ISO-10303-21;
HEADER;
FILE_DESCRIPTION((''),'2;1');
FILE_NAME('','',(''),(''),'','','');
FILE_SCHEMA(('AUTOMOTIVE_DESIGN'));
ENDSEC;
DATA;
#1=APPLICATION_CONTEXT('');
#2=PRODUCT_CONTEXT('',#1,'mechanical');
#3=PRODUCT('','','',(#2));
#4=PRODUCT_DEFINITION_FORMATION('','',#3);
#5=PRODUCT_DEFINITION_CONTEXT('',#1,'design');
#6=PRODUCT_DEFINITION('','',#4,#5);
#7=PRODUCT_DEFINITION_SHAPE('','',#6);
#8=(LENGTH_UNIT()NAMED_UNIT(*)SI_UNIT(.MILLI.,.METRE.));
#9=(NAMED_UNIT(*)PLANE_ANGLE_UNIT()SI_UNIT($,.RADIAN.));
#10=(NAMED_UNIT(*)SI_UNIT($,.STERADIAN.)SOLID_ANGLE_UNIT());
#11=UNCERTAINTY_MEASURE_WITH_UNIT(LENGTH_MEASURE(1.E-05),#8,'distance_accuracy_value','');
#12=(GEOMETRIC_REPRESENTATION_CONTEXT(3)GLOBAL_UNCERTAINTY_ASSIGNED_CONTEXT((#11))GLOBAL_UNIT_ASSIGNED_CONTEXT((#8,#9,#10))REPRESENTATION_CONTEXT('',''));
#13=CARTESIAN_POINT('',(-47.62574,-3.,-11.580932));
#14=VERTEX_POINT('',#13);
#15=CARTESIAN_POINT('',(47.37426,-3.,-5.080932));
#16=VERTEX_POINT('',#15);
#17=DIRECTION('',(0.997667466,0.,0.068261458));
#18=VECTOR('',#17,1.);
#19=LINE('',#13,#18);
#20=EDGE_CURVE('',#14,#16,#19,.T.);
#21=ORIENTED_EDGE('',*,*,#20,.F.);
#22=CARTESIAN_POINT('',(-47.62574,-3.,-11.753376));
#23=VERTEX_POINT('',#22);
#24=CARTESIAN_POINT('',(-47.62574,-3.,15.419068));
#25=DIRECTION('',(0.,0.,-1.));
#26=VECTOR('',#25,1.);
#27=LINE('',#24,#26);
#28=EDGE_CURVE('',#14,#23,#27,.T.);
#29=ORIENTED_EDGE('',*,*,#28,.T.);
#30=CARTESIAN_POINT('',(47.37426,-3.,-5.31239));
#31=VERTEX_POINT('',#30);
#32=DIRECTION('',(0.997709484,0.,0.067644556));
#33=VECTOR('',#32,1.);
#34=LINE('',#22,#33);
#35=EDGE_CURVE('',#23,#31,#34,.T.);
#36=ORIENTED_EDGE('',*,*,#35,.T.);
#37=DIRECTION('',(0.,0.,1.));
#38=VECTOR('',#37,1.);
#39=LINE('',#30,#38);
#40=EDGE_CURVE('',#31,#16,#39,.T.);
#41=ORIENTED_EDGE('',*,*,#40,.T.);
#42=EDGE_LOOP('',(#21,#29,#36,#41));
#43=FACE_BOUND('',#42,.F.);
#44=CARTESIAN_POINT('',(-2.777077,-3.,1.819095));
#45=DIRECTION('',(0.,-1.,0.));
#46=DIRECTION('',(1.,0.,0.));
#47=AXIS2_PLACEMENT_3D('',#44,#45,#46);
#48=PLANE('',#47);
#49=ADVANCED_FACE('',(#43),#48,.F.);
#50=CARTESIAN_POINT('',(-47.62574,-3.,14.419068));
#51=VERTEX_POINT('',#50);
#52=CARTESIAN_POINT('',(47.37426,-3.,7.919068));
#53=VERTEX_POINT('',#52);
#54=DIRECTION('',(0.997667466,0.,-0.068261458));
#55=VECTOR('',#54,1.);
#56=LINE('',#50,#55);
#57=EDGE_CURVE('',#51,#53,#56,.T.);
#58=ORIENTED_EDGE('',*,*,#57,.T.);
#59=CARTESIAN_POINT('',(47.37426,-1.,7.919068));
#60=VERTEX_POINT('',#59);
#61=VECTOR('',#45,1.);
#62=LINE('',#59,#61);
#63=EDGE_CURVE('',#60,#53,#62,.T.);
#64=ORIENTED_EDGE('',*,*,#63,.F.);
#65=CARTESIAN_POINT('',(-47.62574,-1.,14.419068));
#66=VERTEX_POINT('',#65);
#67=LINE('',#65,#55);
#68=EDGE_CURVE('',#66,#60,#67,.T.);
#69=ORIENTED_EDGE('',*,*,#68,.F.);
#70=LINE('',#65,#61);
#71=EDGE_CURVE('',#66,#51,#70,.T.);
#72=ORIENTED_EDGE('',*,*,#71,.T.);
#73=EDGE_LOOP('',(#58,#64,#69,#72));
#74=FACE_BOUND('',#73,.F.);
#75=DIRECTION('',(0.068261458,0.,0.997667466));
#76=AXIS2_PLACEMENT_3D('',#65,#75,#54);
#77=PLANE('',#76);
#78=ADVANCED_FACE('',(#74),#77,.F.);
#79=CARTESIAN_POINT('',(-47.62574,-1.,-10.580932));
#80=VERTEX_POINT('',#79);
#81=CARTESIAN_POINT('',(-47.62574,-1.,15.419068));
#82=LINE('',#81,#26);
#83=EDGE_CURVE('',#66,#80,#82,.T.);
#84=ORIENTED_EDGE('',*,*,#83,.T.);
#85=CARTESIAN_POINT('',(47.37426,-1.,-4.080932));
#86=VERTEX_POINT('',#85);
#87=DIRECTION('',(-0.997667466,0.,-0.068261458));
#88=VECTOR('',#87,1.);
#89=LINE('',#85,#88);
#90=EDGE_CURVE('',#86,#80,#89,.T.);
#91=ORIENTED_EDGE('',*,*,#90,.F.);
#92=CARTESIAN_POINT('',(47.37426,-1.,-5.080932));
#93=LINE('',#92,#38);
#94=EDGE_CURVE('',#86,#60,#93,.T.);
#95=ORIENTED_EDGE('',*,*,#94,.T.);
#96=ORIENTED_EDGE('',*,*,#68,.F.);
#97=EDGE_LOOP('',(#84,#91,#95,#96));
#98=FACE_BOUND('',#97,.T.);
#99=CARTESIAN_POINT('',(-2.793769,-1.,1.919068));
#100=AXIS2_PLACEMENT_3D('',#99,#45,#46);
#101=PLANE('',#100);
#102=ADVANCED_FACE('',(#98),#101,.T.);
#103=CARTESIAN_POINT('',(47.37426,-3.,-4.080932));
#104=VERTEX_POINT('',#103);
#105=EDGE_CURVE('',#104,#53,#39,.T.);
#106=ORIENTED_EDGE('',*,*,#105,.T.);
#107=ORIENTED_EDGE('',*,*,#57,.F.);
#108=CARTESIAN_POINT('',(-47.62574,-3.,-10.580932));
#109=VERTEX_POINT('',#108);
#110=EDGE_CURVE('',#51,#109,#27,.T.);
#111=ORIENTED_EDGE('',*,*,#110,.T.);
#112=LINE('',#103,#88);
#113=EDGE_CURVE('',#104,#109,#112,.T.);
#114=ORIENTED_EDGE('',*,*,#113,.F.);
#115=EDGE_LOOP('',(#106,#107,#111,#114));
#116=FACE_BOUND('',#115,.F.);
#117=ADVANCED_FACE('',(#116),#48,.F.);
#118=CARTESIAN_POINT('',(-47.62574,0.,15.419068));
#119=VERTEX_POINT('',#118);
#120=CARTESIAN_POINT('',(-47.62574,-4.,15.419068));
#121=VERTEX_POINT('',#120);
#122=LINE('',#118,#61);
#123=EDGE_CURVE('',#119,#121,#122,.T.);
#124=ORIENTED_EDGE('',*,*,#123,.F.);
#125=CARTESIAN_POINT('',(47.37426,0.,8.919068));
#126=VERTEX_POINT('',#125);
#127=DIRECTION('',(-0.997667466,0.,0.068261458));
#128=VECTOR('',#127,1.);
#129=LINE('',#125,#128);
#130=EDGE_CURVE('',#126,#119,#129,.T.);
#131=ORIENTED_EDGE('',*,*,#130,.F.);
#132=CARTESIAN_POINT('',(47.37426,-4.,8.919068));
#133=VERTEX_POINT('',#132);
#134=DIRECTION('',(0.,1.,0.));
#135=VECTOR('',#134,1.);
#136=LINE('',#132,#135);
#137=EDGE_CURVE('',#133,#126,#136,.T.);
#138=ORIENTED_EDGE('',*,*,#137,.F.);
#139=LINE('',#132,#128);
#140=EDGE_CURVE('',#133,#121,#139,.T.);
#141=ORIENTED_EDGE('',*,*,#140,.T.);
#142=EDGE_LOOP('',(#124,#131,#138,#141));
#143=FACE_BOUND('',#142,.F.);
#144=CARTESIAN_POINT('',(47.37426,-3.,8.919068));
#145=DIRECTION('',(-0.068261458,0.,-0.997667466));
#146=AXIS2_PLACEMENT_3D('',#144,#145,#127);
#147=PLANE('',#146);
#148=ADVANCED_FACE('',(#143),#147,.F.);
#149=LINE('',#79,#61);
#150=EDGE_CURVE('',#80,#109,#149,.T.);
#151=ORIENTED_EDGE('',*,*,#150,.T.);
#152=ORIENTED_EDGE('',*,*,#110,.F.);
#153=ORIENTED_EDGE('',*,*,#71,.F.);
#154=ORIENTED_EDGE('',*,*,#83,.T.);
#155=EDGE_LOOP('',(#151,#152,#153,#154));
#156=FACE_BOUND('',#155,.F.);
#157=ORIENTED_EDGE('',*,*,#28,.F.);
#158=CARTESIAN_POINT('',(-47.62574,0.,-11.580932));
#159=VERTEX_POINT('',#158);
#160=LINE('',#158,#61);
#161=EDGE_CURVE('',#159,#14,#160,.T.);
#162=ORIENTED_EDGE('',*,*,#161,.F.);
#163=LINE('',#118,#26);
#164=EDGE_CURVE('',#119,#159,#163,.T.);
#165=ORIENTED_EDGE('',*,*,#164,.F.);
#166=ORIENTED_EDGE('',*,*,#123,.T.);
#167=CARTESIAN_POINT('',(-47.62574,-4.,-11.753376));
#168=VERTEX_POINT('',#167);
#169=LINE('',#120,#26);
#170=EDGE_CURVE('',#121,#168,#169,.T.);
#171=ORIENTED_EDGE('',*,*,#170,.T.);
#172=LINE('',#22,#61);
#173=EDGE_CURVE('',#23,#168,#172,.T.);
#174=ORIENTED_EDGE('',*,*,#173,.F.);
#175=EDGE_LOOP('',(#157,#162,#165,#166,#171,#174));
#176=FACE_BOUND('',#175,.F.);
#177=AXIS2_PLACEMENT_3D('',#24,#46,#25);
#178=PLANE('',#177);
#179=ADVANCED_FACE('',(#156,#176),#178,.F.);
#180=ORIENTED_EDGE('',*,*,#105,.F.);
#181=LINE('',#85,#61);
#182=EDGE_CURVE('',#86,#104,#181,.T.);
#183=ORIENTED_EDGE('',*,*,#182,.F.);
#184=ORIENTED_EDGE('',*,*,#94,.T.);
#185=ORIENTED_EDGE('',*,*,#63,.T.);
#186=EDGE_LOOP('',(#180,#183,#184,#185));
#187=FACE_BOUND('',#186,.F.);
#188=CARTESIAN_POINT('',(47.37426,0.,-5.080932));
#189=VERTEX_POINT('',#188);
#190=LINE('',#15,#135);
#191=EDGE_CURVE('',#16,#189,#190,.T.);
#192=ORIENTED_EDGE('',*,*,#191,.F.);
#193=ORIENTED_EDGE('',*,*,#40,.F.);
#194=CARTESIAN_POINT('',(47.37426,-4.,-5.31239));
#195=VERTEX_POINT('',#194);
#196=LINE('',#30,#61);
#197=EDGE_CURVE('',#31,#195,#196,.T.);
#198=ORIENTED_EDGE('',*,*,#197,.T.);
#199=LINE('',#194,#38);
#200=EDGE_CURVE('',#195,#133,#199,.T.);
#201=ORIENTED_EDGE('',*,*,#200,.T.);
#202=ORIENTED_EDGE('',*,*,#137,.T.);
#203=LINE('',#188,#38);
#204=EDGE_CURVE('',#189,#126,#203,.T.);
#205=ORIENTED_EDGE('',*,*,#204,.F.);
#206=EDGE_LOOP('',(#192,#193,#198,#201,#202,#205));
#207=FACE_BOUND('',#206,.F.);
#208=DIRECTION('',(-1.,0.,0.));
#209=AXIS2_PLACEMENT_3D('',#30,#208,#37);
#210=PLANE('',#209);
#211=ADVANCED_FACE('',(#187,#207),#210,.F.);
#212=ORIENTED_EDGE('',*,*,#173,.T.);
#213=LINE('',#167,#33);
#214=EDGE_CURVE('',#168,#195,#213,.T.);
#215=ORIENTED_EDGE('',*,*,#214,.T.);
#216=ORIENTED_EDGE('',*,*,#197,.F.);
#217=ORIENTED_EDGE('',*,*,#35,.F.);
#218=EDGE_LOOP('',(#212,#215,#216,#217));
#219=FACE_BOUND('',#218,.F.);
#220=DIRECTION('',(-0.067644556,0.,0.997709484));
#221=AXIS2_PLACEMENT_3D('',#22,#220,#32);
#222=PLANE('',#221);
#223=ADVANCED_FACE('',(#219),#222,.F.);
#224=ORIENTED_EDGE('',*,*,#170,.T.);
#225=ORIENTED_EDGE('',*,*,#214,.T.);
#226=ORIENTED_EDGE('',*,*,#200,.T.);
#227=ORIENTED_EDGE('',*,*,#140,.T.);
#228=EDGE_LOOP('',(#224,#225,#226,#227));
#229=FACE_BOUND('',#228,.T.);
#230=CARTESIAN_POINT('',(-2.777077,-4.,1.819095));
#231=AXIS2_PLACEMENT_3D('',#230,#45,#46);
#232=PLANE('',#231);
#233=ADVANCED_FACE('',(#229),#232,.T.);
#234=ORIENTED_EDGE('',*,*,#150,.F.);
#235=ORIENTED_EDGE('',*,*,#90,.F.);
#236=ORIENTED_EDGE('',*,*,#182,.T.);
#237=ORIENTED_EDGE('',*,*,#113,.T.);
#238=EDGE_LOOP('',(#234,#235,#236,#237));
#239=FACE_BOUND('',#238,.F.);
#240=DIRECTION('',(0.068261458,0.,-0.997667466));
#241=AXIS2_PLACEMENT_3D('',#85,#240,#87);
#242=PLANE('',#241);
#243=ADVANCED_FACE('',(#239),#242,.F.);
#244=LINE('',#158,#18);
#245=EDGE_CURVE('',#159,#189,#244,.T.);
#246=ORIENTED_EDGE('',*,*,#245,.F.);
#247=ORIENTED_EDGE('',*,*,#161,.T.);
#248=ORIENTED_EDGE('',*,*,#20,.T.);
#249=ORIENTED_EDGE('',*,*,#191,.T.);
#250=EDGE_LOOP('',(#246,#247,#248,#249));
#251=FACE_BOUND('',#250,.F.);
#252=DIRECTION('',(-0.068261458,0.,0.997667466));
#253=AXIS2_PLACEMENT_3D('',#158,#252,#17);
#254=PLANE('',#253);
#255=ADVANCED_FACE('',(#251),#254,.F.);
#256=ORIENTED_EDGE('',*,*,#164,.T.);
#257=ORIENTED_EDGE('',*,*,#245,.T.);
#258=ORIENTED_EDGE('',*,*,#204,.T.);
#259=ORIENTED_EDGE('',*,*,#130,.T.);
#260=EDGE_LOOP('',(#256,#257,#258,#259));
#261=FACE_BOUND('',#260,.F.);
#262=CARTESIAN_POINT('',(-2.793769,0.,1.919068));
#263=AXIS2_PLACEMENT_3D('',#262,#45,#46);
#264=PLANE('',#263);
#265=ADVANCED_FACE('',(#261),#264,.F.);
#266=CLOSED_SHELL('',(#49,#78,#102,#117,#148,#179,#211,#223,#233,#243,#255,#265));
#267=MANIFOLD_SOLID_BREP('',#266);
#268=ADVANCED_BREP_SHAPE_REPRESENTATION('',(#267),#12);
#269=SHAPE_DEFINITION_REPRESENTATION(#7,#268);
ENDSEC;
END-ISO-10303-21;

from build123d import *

# Parameters (mm, degrees)
F1_DEPTH = 1
F3_DEPTH = 2
F5_DEPTH = 1


with BuildPart() as f1:
    # F0 (on Front) → F1 (new body)
    with BuildSketch(Plane.XZ):
        Polygon((47.37426, 8.919068), (-47.62574, 15.419068), (-47.62574, -11.580932), (47.37426, -5.080932), align=None)
    extrude(amount=F1_DEPTH)

    # F2 (on face) → F3 (join)
    with BuildSketch(Plane.XZ.offset(1)):
        Polygon((47.37426, 8.919068), (-47.62574, 15.419068), (-47.62574, 14.419068), (47.37426, 7.919068), align=None)
        Polygon((-47.62574, -10.580932), (-47.62574, -11.580932), (47.37426, -5.080932), (47.37426, -4.080932), align=None)
    extrude(amount=F3_DEPTH)

    # F4 (on face) → F5 (join)
    with BuildSketch(Plane.XZ.offset(3)):
        Polygon((47.37426, 8.919068), (-47.62574, 15.419068), (-47.62574, -11.753376), (47.37426, -5.31239), align=None)
    extrude(amount=F5_DEPTH)


solid = f1.part
